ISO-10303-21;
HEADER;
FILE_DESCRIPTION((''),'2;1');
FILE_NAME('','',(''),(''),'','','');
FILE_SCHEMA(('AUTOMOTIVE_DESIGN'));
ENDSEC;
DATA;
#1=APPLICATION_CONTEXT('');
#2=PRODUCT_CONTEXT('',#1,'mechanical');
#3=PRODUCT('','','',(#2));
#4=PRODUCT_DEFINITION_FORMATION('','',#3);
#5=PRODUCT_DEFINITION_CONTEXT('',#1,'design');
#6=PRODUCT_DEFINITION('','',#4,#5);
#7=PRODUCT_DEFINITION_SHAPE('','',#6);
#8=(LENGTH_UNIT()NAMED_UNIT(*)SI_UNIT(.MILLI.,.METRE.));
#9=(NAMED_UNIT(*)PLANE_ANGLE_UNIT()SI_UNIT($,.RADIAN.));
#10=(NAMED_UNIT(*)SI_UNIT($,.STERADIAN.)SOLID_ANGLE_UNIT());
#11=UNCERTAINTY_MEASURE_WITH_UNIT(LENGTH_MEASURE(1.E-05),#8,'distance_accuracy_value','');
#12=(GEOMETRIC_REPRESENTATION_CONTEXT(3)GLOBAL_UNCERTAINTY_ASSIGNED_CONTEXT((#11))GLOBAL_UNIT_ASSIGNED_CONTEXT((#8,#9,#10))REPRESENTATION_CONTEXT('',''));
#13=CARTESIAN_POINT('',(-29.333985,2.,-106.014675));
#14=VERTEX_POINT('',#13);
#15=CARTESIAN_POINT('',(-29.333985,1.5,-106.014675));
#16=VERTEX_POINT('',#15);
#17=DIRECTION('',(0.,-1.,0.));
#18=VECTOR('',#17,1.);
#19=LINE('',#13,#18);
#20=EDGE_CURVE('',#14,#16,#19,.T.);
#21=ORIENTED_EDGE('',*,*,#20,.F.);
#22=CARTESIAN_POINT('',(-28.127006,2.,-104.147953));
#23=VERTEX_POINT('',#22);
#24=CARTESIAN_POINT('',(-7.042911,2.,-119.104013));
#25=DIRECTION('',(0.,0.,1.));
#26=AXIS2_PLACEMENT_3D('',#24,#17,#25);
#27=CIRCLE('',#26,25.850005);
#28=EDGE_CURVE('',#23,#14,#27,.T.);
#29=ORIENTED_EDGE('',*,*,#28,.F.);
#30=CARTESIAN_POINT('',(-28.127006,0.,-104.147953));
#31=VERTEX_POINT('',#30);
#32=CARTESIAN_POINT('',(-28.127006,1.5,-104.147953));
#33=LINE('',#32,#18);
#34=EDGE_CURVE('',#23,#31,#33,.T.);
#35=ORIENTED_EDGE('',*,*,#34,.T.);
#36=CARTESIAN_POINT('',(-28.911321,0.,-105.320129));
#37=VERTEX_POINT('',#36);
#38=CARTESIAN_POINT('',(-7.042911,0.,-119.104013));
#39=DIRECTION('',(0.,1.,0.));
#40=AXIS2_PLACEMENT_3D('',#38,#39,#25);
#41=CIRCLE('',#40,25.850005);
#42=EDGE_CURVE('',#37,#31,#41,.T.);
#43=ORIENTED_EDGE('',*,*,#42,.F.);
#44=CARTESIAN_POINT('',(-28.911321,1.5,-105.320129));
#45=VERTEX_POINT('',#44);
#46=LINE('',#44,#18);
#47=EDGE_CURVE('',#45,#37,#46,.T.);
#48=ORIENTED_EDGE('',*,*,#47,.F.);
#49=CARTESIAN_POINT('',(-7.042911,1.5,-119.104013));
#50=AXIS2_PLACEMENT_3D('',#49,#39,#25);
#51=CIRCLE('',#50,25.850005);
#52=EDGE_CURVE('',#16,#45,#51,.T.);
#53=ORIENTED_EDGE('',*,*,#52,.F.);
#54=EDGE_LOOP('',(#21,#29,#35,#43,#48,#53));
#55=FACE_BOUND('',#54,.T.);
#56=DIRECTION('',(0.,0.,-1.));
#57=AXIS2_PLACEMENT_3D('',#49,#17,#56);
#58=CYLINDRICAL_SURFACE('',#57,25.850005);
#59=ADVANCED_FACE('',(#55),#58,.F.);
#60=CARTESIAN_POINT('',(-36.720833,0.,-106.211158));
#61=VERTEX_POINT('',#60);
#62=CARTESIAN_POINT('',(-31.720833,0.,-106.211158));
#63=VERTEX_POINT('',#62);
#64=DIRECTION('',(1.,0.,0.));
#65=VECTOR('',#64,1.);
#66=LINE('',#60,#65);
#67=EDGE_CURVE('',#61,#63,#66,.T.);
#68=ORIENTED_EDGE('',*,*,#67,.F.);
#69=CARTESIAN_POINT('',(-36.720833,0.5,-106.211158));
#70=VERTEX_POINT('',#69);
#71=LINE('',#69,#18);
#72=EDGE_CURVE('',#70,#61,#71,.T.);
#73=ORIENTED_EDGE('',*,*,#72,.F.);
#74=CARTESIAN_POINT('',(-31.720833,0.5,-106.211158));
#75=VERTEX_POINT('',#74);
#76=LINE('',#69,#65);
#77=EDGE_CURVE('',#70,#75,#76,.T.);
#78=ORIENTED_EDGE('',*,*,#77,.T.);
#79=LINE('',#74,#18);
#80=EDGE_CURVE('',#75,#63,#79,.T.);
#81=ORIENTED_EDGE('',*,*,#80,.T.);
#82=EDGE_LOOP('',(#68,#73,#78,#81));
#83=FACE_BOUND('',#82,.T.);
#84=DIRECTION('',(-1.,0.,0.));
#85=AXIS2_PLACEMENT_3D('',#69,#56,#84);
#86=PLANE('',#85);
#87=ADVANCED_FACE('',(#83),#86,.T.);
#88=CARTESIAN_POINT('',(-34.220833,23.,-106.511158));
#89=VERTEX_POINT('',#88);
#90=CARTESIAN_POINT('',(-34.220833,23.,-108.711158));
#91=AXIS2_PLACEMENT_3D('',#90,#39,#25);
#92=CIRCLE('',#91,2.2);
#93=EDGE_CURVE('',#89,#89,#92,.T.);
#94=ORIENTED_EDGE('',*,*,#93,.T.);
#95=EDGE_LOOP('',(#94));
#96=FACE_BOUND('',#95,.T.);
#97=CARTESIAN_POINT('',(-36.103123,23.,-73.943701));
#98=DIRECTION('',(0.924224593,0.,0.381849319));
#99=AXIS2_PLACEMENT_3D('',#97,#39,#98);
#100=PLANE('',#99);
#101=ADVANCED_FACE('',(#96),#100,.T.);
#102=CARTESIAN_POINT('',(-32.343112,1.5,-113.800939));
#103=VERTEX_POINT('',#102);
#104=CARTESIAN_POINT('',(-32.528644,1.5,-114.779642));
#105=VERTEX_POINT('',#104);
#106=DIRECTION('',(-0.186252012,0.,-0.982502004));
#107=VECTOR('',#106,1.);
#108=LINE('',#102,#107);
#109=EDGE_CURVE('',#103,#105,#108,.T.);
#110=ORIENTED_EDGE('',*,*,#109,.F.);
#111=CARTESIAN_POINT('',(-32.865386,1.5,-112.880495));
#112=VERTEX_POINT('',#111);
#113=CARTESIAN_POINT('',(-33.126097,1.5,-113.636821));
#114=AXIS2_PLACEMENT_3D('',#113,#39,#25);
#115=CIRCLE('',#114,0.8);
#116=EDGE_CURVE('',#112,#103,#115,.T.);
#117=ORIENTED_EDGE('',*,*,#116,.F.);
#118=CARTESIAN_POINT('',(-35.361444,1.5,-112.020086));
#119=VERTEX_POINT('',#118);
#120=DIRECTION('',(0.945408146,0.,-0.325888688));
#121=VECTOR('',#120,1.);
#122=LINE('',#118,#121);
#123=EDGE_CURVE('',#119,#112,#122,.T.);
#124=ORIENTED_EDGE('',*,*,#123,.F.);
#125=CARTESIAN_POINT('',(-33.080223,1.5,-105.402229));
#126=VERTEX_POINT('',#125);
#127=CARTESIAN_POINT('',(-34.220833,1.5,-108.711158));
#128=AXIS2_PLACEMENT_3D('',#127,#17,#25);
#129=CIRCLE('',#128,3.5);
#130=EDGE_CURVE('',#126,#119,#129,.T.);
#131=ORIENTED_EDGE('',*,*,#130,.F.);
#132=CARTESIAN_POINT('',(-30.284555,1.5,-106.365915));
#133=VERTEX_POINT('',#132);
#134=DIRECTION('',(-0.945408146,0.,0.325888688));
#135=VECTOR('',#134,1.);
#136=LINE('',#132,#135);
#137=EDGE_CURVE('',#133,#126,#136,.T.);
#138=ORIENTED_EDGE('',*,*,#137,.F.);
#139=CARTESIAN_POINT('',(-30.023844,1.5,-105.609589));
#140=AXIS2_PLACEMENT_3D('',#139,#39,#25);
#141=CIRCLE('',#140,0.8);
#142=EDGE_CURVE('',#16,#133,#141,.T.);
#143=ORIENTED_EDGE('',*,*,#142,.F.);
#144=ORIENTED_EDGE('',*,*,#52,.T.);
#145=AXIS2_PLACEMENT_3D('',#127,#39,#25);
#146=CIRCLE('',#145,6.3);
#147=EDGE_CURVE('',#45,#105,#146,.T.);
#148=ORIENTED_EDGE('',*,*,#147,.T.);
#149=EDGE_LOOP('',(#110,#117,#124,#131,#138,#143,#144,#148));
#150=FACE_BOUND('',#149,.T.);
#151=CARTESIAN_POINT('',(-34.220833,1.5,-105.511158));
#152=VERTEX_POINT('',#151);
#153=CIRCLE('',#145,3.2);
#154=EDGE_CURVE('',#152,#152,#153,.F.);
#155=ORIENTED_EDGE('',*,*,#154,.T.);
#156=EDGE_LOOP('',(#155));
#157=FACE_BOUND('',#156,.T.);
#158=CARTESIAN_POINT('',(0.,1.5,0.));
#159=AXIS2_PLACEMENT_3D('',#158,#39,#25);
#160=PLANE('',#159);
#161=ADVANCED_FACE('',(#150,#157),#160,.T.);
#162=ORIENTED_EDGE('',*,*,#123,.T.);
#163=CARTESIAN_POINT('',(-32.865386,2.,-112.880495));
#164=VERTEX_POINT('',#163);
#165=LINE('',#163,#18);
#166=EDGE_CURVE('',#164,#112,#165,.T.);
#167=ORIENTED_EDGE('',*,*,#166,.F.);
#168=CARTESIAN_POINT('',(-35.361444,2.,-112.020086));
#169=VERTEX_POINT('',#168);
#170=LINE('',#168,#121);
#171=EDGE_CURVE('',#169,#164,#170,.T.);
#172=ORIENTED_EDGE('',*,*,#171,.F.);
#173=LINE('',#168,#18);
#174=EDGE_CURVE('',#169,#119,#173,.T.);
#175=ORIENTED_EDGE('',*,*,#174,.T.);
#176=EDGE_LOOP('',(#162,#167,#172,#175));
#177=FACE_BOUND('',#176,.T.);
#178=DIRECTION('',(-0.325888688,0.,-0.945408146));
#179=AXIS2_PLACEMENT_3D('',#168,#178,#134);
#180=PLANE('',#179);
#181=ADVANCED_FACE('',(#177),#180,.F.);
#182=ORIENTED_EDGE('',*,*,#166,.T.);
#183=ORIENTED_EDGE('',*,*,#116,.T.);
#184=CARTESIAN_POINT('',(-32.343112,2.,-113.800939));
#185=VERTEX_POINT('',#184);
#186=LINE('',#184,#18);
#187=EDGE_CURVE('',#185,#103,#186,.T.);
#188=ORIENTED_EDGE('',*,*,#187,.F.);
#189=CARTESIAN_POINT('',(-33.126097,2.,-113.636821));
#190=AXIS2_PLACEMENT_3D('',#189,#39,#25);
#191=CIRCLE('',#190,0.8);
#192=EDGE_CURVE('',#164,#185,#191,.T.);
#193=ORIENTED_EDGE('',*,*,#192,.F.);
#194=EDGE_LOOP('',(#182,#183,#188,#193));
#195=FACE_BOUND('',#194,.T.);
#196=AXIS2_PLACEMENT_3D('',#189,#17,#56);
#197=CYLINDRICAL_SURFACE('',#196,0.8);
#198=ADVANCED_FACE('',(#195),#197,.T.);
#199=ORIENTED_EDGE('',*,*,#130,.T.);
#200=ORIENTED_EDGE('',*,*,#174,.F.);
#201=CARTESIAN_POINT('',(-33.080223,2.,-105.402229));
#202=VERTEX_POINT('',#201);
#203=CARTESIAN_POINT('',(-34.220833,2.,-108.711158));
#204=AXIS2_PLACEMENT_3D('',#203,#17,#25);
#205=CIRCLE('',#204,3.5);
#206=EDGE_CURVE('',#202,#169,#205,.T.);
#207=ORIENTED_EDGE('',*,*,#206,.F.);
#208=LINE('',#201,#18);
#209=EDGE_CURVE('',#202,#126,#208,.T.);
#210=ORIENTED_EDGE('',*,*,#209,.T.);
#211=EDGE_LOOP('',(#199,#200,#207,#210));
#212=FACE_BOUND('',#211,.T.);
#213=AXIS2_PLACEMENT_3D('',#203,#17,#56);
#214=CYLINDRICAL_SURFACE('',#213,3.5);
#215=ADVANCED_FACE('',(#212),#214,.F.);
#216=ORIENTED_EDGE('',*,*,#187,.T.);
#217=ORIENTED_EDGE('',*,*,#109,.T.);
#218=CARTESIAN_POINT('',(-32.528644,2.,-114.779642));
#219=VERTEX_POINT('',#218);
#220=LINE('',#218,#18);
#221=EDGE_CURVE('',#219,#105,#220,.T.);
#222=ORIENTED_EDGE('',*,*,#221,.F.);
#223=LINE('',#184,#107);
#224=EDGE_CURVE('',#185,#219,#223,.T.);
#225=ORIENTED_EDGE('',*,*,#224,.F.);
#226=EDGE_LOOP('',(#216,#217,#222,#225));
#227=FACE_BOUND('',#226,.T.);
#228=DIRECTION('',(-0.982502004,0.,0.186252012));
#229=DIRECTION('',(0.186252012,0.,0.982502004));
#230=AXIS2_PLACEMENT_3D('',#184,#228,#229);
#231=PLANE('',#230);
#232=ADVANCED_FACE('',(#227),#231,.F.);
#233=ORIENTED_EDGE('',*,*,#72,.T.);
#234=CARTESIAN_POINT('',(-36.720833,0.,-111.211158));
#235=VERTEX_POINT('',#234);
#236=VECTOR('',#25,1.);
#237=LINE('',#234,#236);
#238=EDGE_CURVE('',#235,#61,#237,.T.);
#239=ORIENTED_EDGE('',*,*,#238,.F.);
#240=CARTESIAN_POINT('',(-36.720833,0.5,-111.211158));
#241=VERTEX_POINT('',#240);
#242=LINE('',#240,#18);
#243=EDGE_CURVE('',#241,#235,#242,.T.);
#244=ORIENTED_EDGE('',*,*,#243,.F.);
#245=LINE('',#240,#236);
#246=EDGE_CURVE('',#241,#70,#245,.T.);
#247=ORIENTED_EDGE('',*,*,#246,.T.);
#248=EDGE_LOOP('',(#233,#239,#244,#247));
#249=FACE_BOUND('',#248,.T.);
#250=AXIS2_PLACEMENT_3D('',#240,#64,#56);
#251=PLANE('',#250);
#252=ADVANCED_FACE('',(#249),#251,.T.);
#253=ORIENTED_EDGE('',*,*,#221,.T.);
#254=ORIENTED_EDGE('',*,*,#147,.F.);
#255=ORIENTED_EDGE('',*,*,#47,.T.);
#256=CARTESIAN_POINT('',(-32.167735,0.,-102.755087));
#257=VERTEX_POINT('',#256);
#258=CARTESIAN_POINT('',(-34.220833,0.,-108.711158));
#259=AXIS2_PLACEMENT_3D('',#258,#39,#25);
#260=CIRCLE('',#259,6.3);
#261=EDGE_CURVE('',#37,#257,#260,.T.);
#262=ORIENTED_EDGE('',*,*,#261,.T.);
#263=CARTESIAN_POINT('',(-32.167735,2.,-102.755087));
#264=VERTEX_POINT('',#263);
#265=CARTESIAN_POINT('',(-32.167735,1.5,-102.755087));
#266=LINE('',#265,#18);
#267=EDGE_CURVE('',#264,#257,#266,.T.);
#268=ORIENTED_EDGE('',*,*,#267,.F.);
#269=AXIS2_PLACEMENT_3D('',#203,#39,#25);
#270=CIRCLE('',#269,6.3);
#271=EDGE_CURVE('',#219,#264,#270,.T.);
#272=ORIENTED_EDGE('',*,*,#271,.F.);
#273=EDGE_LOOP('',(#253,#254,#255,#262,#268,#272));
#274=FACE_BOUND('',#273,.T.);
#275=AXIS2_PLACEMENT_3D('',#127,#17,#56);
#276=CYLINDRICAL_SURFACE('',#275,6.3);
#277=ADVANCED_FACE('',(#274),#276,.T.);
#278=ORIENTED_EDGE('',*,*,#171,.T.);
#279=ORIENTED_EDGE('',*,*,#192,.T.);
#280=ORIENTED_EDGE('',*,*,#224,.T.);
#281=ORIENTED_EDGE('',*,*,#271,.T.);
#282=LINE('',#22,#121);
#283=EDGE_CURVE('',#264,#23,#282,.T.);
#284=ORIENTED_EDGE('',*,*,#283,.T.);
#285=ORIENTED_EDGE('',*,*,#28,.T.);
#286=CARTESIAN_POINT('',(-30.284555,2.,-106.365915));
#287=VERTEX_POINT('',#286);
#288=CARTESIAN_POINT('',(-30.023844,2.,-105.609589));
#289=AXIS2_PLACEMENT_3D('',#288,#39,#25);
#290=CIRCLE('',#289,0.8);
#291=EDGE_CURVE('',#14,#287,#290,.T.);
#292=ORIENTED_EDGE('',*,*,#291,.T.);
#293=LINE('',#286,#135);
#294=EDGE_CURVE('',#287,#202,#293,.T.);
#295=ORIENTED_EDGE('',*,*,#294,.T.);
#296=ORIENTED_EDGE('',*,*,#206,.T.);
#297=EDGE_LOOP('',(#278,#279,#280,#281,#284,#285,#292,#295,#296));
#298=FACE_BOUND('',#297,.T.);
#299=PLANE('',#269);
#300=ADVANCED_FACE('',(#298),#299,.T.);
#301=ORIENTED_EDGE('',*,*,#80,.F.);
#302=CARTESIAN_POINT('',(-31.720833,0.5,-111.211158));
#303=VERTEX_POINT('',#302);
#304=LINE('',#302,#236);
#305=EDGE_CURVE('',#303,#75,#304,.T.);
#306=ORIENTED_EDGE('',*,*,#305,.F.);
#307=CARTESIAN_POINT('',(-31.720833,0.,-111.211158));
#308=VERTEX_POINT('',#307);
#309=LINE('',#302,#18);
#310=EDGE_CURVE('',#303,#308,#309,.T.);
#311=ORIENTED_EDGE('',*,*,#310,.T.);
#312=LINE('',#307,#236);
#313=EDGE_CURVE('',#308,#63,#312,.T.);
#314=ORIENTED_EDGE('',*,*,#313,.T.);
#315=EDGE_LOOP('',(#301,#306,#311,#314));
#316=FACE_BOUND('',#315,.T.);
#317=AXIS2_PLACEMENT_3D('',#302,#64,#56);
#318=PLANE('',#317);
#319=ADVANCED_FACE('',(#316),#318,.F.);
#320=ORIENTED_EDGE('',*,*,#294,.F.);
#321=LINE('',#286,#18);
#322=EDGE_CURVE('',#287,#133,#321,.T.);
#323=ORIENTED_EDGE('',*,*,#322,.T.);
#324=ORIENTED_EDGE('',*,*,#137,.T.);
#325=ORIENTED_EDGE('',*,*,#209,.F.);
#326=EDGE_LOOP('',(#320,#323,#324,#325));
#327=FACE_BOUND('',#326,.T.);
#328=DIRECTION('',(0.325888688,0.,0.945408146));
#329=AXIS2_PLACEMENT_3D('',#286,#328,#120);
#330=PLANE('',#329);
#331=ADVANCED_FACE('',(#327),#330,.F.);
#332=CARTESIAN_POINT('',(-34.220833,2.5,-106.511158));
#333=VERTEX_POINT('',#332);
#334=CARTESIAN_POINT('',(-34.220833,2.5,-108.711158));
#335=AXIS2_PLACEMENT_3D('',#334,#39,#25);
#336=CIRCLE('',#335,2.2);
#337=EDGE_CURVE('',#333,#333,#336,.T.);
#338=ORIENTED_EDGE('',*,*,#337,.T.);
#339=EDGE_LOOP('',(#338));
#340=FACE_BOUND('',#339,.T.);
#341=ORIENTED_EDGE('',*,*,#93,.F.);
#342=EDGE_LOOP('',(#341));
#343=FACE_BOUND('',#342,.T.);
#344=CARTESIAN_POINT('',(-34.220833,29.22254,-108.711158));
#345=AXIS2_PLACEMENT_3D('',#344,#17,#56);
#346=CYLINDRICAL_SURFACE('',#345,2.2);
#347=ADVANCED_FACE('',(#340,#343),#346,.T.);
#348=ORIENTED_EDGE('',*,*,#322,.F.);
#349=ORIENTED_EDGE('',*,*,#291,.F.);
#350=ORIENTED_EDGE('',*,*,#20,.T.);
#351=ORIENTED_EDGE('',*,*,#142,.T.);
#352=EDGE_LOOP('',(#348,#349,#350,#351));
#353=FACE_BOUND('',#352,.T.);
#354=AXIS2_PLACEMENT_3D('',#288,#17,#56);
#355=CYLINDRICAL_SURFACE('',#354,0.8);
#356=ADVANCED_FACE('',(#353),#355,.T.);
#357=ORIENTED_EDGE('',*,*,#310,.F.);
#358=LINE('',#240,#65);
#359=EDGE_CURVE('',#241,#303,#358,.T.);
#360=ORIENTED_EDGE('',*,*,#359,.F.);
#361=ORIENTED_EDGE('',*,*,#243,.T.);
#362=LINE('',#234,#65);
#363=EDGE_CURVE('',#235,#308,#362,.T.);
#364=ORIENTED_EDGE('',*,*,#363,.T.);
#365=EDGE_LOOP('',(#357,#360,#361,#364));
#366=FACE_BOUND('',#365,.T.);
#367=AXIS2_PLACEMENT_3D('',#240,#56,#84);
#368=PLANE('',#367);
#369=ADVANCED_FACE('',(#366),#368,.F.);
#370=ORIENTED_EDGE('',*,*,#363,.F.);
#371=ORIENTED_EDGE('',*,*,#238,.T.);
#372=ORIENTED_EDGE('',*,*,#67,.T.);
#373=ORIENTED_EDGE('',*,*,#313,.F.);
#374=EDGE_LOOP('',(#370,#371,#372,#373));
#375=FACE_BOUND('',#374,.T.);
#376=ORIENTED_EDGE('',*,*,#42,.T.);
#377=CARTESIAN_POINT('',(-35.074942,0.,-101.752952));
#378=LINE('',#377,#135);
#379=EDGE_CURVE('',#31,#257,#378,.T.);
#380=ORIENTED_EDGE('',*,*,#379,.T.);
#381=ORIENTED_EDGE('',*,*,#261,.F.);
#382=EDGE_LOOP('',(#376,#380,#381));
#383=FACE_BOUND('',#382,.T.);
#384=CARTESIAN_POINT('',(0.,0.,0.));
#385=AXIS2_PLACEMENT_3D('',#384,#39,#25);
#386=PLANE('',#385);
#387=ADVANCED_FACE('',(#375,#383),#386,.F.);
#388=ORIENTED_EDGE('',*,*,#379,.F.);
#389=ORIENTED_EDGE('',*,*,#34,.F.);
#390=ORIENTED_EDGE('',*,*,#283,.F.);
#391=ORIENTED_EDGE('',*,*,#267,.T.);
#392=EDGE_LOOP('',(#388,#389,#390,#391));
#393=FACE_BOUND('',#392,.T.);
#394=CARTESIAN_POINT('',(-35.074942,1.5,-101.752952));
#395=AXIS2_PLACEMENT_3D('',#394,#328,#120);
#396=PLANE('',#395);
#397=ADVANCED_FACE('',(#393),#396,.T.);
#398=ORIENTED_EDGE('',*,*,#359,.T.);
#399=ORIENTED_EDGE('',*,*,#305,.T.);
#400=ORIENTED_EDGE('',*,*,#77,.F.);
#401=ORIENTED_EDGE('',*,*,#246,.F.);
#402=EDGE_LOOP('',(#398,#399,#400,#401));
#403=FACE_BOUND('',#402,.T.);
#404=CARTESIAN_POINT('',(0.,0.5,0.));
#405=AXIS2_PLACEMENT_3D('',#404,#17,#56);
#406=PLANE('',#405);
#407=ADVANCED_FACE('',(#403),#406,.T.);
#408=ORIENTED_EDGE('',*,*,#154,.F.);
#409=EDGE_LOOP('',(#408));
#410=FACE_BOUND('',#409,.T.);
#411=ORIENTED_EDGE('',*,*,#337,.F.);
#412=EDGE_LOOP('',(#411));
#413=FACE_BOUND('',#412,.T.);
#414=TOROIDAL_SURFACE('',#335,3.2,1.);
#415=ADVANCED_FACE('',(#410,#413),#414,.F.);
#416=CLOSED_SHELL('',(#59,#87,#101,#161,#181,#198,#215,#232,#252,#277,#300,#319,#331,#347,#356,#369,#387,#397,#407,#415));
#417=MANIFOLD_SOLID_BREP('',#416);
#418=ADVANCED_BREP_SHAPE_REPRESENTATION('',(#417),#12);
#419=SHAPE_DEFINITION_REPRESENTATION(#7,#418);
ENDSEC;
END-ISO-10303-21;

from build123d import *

# Parameters (mm, degrees)
SALIENTE_EXTRUIR1_DEPTH = 1.5
SKETCH1_R               = 2.2
BOSS_EXTRUDE1_DEPTH     = 21.500000004
FILLET1_R               = 1
BOSS_EXTRUDE2_DEPTH     = 0.5
SKETCH3_W               = 5
SKETCH3_H               = 5
CUT_EXTRUDE1_DEPTH      = 0.5


with BuildPart() as part:
    # Croquis1 → Saliente-Extruir1 (new body)
    with BuildSketch(Plane(origin=(0, 0, 0), x_dir=(1, 0, 0), z_dir=(0, 1, 0))):
        with BuildLine():
            Line((-28.127006156, 104.147953484), (-32.167734628, 102.755086599))
            ThreePointArc((-32.167734628, 102.755086599), (-38.119150085, 113.660211034), (-28.911320585, 105.320129452))
            ThreePointArc((-28.911320585, 105.320129452), (-28.527159067, 104.728691469), (-28.127006156, 104.147953484))
        make_face()
    extrude(amount=SALIENTE_EXTRUIR1_DEPTH)

    # Sketch1 → Boss-Extrude1 (add)
    with BuildSketch(Plane(origin=(0, 1.5, 0), x_dir=(1, 0, 0), z_dir=(0, 1, 0))):
        with Locations(Location((-34.220833362, 108.71115792, 0), (0, 0, 270))):
            Circle(SKETCH1_R)
    extrude(amount=BOSS_EXTRUDE1_DEPTH)

    # Fillet1
    fillet1_edges = [part.edges().sort_by_distance(p)[0] for p in [
        (-34.220833362, 1.5, -110.91115792),
    ]]
    fillet(fillet1_edges, radius=FILLET1_R)

    # Sketch2 → Boss-Extrude2 (add)
    with BuildSketch(Plane(origin=(0, 1.5, 0), x_dir=(1, 0, 0), z_dir=(0, 1, 0))):
        with BuildLine():
            Line((-28.127006156, 104.147953484), (-32.167734628, 102.755086599))
            ThreePointArc((-32.167734628, 102.755086599), (-40.517997562, 108.522152547), (-32.528643989, 114.779641679))
            Line((-32.528643989, 114.779641679), (-32.343112299, 113.800939457))
            ThreePointArc((-32.343112299, 113.800939457), (-32.430302685, 113.242017247), (-32.865386144, 112.880494657))
            Line((-32.865386144, 112.880494657), (-35.36144377, 112.020086432))
            ThreePointArc((-35.36144377, 112.020086432), (-37.529761874, 107.570547512), (-33.080222954, 105.402229408))
            Line((-33.080222954, 105.402229408), (-30.284555445, 106.36591522))
            ThreePointArc((-30.284555445, 106.36591522), (-29.746563901, 106.359998905), (-29.333985462, 106.014674515))
            ThreePointArc((-29.333985462, 106.014674515), (-28.750570862, 105.068333927), (-28.127006156, 104.147953484))
        make_face()
    extrude(amount=BOSS_EXTRUDE2_DEPTH)

    # Sketch3 → Cut-Extrude1 (cut)
    with BuildSketch(Plane.XZ):
        with Locations((-34.220833362, -108.71115792)):
            Rectangle(SKETCH3_W, SKETCH3_H)
    extrude(amount=-CUT_EXTRUDE1_DEPTH, mode=Mode.SUBTRACT)


solid = part.part
